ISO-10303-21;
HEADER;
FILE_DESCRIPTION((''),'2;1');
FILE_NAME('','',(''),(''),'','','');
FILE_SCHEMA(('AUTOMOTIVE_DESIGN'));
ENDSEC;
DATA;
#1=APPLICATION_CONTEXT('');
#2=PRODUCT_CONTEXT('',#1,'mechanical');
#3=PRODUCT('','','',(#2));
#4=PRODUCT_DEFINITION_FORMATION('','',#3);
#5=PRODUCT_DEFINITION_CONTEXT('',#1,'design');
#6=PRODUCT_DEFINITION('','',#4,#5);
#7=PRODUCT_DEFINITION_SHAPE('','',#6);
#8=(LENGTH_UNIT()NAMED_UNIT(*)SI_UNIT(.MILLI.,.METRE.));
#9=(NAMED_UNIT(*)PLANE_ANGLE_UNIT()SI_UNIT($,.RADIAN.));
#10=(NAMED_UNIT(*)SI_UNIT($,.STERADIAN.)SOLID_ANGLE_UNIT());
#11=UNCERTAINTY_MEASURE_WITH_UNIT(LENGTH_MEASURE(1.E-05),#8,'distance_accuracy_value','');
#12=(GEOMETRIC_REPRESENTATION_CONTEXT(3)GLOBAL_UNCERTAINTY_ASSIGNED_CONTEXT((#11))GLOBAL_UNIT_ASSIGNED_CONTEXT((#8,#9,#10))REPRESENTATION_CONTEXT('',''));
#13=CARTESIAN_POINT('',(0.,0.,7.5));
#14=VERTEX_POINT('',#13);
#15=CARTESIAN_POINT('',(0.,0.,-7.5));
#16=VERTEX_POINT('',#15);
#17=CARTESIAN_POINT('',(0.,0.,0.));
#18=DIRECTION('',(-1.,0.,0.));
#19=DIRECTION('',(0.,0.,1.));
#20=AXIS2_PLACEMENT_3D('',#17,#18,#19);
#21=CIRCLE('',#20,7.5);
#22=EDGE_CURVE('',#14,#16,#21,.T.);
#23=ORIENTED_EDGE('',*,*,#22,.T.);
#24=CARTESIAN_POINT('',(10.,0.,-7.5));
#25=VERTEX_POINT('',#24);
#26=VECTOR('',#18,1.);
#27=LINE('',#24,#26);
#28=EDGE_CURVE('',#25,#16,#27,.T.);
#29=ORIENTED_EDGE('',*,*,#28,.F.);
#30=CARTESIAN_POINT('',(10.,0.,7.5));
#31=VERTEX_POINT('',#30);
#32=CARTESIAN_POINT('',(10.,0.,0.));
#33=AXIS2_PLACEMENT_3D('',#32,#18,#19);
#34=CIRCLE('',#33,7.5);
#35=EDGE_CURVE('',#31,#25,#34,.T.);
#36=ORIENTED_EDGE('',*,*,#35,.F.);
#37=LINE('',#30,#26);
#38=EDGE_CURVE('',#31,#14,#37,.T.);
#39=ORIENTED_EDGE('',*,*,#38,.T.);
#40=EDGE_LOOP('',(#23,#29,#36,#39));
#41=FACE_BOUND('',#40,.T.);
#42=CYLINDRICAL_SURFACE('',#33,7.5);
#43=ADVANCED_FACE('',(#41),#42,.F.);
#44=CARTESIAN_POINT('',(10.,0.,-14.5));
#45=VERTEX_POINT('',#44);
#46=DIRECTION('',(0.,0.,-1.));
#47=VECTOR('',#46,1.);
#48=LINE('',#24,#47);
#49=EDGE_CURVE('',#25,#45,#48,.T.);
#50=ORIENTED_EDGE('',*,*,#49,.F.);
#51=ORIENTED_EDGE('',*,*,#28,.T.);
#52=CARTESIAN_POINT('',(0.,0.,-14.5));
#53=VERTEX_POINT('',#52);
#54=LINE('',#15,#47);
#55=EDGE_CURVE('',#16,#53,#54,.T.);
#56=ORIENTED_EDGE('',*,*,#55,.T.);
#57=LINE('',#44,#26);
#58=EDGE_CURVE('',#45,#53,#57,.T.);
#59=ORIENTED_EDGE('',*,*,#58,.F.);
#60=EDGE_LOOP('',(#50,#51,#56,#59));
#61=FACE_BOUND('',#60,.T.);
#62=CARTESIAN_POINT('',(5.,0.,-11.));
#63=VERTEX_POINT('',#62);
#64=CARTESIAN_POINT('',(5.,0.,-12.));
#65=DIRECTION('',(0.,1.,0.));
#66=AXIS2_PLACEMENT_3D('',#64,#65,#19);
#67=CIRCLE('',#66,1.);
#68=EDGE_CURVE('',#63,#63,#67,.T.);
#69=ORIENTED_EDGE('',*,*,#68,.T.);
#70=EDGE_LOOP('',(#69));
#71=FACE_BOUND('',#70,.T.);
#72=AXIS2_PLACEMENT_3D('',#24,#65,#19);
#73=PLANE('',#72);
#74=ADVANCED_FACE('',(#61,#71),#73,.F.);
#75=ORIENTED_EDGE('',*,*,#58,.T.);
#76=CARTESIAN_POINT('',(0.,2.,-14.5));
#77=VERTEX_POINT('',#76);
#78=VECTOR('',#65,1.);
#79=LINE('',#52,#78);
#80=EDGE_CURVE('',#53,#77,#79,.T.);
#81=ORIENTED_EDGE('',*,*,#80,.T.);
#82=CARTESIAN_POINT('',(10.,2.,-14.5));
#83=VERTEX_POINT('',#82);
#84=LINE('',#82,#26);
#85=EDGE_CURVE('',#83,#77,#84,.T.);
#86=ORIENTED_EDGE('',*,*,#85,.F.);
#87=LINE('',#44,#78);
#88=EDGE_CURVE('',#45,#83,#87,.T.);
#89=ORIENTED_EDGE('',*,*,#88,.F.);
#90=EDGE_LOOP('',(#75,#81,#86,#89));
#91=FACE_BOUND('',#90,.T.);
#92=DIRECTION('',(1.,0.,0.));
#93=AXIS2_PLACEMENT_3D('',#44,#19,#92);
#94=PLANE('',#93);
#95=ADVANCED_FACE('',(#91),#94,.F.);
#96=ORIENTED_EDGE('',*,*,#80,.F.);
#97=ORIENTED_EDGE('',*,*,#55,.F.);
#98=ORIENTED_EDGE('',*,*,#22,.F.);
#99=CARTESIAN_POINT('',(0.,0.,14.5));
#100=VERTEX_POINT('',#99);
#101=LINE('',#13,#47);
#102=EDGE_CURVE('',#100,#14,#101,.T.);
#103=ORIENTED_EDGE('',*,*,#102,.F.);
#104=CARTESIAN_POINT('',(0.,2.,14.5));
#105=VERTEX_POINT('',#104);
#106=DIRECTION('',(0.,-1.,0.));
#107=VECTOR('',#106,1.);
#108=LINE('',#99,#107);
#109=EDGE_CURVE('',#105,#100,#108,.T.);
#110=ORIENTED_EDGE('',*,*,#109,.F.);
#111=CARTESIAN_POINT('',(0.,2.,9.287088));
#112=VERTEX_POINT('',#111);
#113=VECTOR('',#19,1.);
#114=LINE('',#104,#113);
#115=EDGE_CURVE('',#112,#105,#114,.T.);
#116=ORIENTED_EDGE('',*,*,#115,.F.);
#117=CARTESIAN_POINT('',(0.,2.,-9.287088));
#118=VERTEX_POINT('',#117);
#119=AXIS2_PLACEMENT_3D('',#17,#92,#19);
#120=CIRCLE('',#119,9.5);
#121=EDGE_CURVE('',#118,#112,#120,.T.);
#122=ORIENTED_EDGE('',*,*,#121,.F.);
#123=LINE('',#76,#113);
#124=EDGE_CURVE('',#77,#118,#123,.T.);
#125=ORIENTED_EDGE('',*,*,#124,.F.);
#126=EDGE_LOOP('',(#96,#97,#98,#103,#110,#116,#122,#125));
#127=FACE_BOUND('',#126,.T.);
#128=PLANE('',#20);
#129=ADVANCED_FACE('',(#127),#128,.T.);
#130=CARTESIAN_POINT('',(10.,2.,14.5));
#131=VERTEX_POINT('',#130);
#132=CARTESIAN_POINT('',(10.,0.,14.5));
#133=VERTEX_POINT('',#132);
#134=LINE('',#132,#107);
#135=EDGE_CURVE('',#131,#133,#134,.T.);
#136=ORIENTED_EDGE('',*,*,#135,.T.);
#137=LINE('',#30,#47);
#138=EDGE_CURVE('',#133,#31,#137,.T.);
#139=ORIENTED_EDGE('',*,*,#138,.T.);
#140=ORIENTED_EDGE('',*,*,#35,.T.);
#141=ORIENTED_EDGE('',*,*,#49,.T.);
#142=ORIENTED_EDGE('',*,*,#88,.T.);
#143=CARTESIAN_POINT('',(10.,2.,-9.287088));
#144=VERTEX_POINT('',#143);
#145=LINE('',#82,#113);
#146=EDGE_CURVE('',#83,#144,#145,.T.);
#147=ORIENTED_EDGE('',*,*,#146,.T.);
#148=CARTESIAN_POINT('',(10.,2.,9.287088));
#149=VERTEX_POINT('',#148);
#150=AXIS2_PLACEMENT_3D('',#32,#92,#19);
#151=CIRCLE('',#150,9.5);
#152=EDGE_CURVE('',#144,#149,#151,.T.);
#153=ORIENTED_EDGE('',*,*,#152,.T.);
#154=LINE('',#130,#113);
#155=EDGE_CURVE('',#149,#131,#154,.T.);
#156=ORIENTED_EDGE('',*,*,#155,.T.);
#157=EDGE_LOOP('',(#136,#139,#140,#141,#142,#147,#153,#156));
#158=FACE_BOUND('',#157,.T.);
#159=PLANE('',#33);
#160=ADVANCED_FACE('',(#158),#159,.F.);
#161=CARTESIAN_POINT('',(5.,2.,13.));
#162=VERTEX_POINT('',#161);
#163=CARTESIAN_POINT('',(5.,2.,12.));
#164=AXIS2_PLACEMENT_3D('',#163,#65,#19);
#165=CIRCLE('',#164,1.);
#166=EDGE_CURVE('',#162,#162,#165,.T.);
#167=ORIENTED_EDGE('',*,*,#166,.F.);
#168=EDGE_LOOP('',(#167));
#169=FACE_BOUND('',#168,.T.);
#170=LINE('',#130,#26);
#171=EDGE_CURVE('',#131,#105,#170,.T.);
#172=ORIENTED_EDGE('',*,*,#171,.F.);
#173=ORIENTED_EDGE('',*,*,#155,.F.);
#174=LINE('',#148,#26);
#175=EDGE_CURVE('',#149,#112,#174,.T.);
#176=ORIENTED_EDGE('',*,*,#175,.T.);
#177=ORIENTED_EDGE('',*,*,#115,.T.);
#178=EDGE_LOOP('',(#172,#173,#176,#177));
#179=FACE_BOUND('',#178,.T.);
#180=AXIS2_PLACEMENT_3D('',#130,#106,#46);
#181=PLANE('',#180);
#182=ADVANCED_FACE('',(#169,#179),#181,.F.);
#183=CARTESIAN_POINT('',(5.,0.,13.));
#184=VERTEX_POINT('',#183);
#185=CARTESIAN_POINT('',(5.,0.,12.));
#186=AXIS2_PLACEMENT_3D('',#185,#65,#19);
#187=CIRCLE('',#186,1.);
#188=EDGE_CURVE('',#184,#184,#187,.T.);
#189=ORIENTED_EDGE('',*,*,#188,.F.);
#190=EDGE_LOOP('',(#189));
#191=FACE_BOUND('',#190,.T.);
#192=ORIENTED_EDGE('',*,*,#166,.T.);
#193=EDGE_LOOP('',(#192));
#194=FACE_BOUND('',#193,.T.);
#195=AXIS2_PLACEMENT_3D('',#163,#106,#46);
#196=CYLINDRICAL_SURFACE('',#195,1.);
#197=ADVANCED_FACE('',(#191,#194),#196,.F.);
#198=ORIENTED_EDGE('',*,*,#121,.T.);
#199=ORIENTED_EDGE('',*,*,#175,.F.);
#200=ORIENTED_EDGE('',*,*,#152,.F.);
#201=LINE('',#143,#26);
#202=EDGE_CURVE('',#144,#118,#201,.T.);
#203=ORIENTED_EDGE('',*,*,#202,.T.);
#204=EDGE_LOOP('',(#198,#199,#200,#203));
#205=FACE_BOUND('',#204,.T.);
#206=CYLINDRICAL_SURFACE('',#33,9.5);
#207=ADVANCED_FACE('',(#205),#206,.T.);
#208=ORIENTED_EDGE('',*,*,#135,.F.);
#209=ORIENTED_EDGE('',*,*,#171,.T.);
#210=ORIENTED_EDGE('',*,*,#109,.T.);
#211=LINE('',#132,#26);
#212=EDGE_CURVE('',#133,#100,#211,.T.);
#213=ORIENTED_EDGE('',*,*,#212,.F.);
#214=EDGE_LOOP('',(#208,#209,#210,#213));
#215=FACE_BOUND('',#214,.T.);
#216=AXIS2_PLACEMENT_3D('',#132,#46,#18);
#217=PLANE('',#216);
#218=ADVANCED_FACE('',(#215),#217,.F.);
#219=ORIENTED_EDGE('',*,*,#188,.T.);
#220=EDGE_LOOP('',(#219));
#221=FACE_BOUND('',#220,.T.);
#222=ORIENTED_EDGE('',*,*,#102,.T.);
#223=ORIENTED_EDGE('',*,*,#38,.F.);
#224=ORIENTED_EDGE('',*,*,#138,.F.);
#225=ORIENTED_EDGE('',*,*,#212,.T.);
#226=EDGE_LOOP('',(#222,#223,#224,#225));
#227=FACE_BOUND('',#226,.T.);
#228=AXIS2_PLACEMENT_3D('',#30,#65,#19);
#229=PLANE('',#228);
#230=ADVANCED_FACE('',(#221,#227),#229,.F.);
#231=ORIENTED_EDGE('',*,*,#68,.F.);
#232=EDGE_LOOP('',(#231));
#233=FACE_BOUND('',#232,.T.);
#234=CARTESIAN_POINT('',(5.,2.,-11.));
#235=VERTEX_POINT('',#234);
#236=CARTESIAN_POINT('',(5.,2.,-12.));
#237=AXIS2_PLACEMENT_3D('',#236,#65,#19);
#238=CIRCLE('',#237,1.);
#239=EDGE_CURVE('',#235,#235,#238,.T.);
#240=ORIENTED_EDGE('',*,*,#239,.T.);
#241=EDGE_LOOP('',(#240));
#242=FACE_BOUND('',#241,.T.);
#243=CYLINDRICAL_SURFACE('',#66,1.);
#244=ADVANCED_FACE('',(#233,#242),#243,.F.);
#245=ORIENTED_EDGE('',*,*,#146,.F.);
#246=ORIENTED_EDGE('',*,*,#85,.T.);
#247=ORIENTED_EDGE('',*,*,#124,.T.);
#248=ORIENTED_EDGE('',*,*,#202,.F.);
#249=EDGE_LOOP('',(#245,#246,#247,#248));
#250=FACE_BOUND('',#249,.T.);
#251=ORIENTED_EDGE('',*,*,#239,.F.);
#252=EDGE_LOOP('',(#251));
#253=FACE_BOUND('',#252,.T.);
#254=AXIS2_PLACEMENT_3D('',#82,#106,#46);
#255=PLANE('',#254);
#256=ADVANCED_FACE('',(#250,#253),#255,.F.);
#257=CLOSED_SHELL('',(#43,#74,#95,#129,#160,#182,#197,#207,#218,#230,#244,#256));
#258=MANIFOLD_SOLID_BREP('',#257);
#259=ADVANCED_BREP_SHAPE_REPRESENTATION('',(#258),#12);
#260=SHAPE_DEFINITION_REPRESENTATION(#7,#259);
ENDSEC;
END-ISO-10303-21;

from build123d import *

# Parameters (mm, degrees)
BOSS_EXTRUDE1_DEPTH = 10
SKETCH2_R           = 1
CUT_EXTRUDE1_DEPTH  = 2
SKETCH3_R           = 1
CUT_EXTRUDE5_DEPTH  = 2


with BuildPart() as part:
    # Sketch1 → Boss-Extrude1 (new body)
    with BuildSketch(Plane(origin=(0, 0, 0), x_dir=(0, 0, -1), z_dir=(1, 0, 0))):
        with BuildLine():
            Line((7.5, 0), (14.5, 0))
            Line((14.5, 0), (14.5, 2))
            Line((14.5, 2), (9.287087811, 2))
            ThreePointArc((9.287087811, 2), (0, 9.5), (-9.287087811, 2))
            Line((-9.287087811, 2), (-14.5, 2))
            Line((-14.5, 2), (-14.5, 0))
            Line((-14.5, 0), (-7.5, 0))
            ThreePointArc((-7.5, 0), (0, 7.5), (7.5, 0))
        make_face()
    extrude(amount=BOSS_EXTRUDE1_DEPTH)

    # Sketch2 → Cut-Extrude1 (cut)
    with BuildSketch(Plane(origin=(0, 2, 0), x_dir=(1, 0, 0), z_dir=(0, 1, 0))):
        with Locations(Location((5, 12, 0), (0, 0, 270))):
            Circle(SKETCH2_R)
    extrude(amount=-CUT_EXTRUDE1_DEPTH, mode=Mode.SUBTRACT)

    # Sketch3 → Cut-Extrude5 (cut)
    with BuildSketch(Plane(origin=(0, 0, 0), x_dir=(1, 0, 0), z_dir=(0, 1, 0))):
        with Locations(Location((5, -12, 0), (0, 0, 270))):
            Circle(SKETCH3_R)
    extrude(amount=CUT_EXTRUDE5_DEPTH, mode=Mode.SUBTRACT)


solid = part.part
